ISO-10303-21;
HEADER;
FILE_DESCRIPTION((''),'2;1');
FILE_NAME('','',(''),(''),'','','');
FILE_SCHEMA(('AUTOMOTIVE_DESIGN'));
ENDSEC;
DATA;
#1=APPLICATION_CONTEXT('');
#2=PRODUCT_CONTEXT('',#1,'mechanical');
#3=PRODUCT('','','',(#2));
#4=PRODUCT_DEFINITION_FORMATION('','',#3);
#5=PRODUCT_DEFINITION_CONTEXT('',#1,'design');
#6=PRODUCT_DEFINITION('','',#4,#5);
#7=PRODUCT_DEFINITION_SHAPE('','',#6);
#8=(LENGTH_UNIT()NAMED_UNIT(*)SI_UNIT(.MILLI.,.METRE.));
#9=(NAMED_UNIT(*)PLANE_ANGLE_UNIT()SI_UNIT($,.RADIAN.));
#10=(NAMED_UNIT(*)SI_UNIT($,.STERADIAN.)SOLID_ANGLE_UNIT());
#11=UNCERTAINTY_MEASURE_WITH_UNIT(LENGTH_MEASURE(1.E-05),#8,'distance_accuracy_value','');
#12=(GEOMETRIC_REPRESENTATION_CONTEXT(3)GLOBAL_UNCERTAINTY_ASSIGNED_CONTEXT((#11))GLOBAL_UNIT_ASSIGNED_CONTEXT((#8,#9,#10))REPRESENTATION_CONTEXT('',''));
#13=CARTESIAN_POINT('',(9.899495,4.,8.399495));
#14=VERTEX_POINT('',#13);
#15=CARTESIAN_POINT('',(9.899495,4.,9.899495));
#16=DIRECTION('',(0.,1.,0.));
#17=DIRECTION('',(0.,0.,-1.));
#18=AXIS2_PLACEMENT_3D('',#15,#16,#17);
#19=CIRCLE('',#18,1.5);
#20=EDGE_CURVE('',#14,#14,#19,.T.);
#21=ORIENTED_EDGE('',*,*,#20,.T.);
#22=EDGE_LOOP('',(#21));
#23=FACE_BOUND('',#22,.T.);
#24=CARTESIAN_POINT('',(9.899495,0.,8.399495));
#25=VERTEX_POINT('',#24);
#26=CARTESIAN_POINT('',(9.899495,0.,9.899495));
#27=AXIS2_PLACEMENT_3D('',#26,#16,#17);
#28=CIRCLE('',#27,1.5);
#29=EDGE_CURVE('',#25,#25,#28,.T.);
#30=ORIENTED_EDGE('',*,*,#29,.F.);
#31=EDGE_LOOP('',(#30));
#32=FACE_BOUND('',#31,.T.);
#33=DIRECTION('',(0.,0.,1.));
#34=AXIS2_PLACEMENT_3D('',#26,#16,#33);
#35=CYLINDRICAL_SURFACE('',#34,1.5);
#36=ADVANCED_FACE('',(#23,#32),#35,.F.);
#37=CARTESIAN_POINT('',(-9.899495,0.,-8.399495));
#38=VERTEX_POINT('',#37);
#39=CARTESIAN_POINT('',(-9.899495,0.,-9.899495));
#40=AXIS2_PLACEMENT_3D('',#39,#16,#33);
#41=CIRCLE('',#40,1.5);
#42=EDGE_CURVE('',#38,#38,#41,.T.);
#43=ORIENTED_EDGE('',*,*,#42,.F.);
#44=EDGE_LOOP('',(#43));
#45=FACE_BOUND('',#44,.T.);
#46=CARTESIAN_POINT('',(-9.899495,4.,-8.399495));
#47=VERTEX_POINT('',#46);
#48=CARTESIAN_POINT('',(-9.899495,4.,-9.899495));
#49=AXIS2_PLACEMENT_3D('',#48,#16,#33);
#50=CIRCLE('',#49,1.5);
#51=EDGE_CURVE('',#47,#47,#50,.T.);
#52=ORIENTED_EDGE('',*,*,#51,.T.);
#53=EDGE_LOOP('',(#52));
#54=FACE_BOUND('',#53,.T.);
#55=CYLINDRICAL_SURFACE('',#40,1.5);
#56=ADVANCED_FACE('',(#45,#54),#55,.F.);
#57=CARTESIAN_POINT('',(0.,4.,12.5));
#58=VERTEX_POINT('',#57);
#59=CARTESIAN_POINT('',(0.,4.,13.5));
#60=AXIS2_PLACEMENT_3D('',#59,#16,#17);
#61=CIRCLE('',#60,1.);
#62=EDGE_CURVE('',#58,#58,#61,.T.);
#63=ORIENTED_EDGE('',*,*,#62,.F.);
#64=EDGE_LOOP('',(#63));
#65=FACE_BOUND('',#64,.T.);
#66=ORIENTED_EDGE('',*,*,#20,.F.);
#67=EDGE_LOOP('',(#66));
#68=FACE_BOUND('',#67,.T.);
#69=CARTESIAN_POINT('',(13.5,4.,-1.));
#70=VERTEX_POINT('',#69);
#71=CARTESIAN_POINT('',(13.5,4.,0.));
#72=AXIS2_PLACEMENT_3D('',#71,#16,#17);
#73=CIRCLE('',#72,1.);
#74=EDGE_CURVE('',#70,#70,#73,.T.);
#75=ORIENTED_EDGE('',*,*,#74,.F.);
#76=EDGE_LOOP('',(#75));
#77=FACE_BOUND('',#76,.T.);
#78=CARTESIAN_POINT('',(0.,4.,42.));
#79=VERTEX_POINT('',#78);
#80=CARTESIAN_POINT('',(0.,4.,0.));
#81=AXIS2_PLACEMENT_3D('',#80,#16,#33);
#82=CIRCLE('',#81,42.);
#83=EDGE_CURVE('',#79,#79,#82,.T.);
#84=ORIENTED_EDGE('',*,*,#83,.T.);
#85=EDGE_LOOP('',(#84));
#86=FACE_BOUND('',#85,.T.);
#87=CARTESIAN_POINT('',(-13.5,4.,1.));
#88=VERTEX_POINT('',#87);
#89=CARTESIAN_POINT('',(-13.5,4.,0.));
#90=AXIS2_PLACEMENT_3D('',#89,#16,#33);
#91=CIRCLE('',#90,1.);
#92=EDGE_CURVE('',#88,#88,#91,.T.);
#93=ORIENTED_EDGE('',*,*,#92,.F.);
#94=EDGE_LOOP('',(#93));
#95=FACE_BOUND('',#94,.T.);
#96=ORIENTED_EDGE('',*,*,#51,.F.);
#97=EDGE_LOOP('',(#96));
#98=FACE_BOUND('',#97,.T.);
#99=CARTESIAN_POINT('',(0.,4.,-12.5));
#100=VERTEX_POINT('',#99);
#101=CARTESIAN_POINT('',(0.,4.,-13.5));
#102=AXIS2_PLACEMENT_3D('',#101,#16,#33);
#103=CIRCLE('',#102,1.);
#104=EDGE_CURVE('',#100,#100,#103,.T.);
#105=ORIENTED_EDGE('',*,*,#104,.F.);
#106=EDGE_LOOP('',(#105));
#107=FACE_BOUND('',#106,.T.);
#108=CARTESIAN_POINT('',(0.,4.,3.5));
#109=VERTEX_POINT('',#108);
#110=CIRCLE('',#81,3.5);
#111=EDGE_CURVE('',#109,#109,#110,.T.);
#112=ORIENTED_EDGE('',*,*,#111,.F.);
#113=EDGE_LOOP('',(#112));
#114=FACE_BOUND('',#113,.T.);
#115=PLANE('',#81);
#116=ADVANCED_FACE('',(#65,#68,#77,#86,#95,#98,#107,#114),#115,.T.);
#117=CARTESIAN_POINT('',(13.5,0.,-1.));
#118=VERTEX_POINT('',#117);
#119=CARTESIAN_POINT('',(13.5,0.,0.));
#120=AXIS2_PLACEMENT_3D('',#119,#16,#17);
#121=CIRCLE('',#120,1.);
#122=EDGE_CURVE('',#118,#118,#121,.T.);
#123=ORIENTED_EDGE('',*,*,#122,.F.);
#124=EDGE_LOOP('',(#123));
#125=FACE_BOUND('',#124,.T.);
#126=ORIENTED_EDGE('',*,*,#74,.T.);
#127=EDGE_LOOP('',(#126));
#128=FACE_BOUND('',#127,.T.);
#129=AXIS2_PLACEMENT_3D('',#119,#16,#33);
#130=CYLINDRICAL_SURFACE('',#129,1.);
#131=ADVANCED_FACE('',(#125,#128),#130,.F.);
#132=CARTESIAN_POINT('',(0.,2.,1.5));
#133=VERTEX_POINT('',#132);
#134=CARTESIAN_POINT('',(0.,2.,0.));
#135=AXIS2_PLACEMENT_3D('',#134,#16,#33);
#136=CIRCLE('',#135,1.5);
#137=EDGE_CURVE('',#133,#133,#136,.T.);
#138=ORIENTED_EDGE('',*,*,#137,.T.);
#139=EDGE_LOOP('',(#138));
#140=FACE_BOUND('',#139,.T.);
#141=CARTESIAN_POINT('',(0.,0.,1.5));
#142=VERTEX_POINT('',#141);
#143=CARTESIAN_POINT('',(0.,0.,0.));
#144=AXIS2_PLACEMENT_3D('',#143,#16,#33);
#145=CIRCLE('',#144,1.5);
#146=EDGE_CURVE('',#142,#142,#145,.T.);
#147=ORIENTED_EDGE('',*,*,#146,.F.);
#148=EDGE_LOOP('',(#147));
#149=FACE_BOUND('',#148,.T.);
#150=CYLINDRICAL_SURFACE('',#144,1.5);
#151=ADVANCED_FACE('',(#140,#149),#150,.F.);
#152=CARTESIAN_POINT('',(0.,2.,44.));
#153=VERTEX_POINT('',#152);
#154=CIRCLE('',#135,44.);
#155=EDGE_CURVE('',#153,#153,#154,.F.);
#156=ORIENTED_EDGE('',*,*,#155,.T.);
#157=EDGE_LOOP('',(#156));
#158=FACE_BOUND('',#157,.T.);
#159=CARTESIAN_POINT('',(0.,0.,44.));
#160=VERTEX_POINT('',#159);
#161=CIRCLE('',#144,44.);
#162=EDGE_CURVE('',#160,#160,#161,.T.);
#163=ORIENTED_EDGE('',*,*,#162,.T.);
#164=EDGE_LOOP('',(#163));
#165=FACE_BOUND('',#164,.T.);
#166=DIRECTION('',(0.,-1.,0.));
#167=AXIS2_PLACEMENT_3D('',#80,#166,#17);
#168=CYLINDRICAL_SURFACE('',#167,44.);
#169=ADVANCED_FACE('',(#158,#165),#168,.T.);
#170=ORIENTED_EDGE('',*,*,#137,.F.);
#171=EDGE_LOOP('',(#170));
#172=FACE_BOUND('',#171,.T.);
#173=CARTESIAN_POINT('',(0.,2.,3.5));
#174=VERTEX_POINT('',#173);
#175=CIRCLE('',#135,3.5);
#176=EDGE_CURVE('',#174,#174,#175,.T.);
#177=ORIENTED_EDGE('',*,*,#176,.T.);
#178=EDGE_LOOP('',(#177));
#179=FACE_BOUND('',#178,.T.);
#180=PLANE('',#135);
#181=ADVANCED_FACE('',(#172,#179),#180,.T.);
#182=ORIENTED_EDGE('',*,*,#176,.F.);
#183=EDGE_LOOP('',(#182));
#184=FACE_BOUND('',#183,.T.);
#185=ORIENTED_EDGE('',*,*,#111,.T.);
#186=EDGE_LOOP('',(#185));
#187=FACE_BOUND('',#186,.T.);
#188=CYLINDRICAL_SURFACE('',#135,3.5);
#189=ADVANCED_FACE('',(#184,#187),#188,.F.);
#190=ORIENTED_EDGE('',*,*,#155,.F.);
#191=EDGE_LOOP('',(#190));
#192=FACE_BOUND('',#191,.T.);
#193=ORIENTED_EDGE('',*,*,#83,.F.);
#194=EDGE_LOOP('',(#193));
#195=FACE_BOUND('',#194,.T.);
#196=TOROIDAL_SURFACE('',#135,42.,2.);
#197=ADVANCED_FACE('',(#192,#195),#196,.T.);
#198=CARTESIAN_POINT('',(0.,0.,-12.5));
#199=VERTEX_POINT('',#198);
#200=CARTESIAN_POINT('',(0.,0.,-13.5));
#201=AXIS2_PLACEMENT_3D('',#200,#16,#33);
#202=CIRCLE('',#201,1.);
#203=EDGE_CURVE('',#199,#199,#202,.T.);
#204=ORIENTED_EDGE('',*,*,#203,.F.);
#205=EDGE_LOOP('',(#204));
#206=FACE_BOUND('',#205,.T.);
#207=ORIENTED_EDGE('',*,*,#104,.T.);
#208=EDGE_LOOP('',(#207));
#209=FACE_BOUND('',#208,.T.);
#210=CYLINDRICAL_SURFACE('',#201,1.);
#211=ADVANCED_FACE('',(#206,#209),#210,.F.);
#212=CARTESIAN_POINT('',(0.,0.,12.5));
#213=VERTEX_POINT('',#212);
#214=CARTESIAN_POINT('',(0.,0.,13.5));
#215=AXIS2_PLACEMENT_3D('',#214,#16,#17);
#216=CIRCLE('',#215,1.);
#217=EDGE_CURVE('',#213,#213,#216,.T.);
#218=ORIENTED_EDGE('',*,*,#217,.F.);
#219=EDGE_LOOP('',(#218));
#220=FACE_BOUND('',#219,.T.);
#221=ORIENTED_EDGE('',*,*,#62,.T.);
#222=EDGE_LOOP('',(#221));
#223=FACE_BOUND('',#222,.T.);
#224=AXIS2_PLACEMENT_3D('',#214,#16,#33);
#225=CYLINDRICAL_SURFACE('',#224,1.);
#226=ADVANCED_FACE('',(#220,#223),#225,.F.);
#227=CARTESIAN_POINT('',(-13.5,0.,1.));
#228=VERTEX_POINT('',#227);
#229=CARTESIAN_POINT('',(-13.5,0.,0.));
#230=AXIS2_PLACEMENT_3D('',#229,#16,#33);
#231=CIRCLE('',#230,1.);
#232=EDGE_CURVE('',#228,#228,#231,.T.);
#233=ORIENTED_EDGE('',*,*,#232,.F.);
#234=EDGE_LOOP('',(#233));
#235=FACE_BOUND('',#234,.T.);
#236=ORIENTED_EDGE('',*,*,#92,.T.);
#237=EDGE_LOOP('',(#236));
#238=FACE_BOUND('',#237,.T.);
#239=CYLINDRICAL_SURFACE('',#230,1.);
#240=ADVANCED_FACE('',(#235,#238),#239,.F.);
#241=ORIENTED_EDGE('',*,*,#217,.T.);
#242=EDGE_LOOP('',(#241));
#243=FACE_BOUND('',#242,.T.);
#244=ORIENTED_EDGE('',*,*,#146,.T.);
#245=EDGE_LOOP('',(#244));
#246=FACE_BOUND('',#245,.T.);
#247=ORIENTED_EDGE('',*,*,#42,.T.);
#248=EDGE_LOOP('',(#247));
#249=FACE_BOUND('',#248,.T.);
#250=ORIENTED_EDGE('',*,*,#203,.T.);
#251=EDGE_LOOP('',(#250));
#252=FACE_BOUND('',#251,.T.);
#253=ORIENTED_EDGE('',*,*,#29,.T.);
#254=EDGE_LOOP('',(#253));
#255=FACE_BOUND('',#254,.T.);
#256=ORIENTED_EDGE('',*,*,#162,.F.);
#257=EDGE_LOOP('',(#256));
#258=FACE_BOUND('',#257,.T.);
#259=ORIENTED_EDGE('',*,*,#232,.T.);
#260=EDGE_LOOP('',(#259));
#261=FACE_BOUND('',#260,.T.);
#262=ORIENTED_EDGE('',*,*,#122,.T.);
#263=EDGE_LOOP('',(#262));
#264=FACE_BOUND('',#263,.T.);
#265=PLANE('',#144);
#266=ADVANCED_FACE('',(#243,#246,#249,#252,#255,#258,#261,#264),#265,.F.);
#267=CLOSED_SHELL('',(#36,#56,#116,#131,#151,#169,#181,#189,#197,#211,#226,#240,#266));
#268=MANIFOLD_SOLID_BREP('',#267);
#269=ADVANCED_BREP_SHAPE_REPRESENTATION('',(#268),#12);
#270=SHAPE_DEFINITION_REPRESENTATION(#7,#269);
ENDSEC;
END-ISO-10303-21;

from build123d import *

# Parameters (mm, degrees)
SKETCH1_R           = 44
BOSS_EXTRUDE1_DEPTH = 4
SKETCH2_R           = 3.5
CUT_EXTRUDE1_DEPTH  = 2
SKETCH3_R           = 1
CUT_EXTRUDE2_DEPTH  = 63.353829072
SKETCH5_R           = 1.5
CUT_EXTRUDE3_DEPTH  = 63.257529665
SKETCH6_R           = 1.5
CUT_EXTRUDE4_DEPTH  = 63.353829072
FILLET1_R           = 2


with BuildPart() as part:
    # Sketch1 → Boss-Extrude1 (new body)
    with BuildSketch(Plane(origin=(0, 0, 0), x_dir=(1, 0, 0), z_dir=(0, 1, 0))):
        with Locations(Location((0, 0, 0), (0, 0, 270))):
            Circle(SKETCH1_R)
    extrude(amount=BOSS_EXTRUDE1_DEPTH)

    # Sketch2 → Cut-Extrude1 (cut)
    with BuildSketch(Plane(origin=(0, 4, 0), x_dir=(1, 0, 0), z_dir=(0, 1, 0))):
        with Locations(Location((0, 0, 0), (0, 0, 270))):
            Circle(SKETCH2_R)
    extrude(amount=-CUT_EXTRUDE1_DEPTH, mode=Mode.SUBTRACT)

    # Sketch3 → Cut-Extrude2 (cut, through all)
    with BuildSketch(Plane(origin=(0, 4, 0), x_dir=(1, 0, 0), z_dir=(0, 1, 0))):
        with Locations(Location((0, 13.5, 0), (0, 0, 270))):
            Circle(SKETCH3_R)
        with Locations(Location((0, -13.5, 0), (0, 0, 90))):
            Circle(SKETCH3_R)
        with Locations(Location((-13.5, 0, 0), (0, 0, 270))):
            Circle(SKETCH3_R)
        with Locations(Location((13.5, 0, 0), (0, 0, 90))):
            Circle(SKETCH3_R)
    extrude(amount=-CUT_EXTRUDE2_DEPTH, mode=Mode.SUBTRACT)

    # Sketch5 → Cut-Extrude3 (cut, through all)
    with BuildSketch(Plane(origin=(0, 2, 0), x_dir=(1, 0, 0), z_dir=(0, 1, 0))):
        with Locations(Location((0, 0, 0), (0, 0, 270))):
            Circle(SKETCH5_R)
    extrude(amount=-CUT_EXTRUDE3_DEPTH, mode=Mode.SUBTRACT)

    # Sketch6 → Cut-Extrude4 (cut, through all)
    with BuildSketch(Plane(origin=(0, 4, 0), x_dir=(1, 0, 0), z_dir=(0, 1, 0))):
        with Locations(Location((-9.899494937, 9.899494937, 0), (0, 0, 270))):
            Circle(SKETCH6_R)
        with Locations(Location((9.899494937, -9.899494937, 0), (0, 0, 90))):
            Circle(SKETCH6_R)
    extrude(amount=-CUT_EXTRUDE4_DEPTH, mode=Mode.SUBTRACT)

    # Fillet1
    fillet1_edges = [part.edges().sort_by_distance(p)[0] for p in [
        (0, 4, -44),
    ]]
    fillet(fillet1_edges, radius=FILLET1_R)


solid = part.part
